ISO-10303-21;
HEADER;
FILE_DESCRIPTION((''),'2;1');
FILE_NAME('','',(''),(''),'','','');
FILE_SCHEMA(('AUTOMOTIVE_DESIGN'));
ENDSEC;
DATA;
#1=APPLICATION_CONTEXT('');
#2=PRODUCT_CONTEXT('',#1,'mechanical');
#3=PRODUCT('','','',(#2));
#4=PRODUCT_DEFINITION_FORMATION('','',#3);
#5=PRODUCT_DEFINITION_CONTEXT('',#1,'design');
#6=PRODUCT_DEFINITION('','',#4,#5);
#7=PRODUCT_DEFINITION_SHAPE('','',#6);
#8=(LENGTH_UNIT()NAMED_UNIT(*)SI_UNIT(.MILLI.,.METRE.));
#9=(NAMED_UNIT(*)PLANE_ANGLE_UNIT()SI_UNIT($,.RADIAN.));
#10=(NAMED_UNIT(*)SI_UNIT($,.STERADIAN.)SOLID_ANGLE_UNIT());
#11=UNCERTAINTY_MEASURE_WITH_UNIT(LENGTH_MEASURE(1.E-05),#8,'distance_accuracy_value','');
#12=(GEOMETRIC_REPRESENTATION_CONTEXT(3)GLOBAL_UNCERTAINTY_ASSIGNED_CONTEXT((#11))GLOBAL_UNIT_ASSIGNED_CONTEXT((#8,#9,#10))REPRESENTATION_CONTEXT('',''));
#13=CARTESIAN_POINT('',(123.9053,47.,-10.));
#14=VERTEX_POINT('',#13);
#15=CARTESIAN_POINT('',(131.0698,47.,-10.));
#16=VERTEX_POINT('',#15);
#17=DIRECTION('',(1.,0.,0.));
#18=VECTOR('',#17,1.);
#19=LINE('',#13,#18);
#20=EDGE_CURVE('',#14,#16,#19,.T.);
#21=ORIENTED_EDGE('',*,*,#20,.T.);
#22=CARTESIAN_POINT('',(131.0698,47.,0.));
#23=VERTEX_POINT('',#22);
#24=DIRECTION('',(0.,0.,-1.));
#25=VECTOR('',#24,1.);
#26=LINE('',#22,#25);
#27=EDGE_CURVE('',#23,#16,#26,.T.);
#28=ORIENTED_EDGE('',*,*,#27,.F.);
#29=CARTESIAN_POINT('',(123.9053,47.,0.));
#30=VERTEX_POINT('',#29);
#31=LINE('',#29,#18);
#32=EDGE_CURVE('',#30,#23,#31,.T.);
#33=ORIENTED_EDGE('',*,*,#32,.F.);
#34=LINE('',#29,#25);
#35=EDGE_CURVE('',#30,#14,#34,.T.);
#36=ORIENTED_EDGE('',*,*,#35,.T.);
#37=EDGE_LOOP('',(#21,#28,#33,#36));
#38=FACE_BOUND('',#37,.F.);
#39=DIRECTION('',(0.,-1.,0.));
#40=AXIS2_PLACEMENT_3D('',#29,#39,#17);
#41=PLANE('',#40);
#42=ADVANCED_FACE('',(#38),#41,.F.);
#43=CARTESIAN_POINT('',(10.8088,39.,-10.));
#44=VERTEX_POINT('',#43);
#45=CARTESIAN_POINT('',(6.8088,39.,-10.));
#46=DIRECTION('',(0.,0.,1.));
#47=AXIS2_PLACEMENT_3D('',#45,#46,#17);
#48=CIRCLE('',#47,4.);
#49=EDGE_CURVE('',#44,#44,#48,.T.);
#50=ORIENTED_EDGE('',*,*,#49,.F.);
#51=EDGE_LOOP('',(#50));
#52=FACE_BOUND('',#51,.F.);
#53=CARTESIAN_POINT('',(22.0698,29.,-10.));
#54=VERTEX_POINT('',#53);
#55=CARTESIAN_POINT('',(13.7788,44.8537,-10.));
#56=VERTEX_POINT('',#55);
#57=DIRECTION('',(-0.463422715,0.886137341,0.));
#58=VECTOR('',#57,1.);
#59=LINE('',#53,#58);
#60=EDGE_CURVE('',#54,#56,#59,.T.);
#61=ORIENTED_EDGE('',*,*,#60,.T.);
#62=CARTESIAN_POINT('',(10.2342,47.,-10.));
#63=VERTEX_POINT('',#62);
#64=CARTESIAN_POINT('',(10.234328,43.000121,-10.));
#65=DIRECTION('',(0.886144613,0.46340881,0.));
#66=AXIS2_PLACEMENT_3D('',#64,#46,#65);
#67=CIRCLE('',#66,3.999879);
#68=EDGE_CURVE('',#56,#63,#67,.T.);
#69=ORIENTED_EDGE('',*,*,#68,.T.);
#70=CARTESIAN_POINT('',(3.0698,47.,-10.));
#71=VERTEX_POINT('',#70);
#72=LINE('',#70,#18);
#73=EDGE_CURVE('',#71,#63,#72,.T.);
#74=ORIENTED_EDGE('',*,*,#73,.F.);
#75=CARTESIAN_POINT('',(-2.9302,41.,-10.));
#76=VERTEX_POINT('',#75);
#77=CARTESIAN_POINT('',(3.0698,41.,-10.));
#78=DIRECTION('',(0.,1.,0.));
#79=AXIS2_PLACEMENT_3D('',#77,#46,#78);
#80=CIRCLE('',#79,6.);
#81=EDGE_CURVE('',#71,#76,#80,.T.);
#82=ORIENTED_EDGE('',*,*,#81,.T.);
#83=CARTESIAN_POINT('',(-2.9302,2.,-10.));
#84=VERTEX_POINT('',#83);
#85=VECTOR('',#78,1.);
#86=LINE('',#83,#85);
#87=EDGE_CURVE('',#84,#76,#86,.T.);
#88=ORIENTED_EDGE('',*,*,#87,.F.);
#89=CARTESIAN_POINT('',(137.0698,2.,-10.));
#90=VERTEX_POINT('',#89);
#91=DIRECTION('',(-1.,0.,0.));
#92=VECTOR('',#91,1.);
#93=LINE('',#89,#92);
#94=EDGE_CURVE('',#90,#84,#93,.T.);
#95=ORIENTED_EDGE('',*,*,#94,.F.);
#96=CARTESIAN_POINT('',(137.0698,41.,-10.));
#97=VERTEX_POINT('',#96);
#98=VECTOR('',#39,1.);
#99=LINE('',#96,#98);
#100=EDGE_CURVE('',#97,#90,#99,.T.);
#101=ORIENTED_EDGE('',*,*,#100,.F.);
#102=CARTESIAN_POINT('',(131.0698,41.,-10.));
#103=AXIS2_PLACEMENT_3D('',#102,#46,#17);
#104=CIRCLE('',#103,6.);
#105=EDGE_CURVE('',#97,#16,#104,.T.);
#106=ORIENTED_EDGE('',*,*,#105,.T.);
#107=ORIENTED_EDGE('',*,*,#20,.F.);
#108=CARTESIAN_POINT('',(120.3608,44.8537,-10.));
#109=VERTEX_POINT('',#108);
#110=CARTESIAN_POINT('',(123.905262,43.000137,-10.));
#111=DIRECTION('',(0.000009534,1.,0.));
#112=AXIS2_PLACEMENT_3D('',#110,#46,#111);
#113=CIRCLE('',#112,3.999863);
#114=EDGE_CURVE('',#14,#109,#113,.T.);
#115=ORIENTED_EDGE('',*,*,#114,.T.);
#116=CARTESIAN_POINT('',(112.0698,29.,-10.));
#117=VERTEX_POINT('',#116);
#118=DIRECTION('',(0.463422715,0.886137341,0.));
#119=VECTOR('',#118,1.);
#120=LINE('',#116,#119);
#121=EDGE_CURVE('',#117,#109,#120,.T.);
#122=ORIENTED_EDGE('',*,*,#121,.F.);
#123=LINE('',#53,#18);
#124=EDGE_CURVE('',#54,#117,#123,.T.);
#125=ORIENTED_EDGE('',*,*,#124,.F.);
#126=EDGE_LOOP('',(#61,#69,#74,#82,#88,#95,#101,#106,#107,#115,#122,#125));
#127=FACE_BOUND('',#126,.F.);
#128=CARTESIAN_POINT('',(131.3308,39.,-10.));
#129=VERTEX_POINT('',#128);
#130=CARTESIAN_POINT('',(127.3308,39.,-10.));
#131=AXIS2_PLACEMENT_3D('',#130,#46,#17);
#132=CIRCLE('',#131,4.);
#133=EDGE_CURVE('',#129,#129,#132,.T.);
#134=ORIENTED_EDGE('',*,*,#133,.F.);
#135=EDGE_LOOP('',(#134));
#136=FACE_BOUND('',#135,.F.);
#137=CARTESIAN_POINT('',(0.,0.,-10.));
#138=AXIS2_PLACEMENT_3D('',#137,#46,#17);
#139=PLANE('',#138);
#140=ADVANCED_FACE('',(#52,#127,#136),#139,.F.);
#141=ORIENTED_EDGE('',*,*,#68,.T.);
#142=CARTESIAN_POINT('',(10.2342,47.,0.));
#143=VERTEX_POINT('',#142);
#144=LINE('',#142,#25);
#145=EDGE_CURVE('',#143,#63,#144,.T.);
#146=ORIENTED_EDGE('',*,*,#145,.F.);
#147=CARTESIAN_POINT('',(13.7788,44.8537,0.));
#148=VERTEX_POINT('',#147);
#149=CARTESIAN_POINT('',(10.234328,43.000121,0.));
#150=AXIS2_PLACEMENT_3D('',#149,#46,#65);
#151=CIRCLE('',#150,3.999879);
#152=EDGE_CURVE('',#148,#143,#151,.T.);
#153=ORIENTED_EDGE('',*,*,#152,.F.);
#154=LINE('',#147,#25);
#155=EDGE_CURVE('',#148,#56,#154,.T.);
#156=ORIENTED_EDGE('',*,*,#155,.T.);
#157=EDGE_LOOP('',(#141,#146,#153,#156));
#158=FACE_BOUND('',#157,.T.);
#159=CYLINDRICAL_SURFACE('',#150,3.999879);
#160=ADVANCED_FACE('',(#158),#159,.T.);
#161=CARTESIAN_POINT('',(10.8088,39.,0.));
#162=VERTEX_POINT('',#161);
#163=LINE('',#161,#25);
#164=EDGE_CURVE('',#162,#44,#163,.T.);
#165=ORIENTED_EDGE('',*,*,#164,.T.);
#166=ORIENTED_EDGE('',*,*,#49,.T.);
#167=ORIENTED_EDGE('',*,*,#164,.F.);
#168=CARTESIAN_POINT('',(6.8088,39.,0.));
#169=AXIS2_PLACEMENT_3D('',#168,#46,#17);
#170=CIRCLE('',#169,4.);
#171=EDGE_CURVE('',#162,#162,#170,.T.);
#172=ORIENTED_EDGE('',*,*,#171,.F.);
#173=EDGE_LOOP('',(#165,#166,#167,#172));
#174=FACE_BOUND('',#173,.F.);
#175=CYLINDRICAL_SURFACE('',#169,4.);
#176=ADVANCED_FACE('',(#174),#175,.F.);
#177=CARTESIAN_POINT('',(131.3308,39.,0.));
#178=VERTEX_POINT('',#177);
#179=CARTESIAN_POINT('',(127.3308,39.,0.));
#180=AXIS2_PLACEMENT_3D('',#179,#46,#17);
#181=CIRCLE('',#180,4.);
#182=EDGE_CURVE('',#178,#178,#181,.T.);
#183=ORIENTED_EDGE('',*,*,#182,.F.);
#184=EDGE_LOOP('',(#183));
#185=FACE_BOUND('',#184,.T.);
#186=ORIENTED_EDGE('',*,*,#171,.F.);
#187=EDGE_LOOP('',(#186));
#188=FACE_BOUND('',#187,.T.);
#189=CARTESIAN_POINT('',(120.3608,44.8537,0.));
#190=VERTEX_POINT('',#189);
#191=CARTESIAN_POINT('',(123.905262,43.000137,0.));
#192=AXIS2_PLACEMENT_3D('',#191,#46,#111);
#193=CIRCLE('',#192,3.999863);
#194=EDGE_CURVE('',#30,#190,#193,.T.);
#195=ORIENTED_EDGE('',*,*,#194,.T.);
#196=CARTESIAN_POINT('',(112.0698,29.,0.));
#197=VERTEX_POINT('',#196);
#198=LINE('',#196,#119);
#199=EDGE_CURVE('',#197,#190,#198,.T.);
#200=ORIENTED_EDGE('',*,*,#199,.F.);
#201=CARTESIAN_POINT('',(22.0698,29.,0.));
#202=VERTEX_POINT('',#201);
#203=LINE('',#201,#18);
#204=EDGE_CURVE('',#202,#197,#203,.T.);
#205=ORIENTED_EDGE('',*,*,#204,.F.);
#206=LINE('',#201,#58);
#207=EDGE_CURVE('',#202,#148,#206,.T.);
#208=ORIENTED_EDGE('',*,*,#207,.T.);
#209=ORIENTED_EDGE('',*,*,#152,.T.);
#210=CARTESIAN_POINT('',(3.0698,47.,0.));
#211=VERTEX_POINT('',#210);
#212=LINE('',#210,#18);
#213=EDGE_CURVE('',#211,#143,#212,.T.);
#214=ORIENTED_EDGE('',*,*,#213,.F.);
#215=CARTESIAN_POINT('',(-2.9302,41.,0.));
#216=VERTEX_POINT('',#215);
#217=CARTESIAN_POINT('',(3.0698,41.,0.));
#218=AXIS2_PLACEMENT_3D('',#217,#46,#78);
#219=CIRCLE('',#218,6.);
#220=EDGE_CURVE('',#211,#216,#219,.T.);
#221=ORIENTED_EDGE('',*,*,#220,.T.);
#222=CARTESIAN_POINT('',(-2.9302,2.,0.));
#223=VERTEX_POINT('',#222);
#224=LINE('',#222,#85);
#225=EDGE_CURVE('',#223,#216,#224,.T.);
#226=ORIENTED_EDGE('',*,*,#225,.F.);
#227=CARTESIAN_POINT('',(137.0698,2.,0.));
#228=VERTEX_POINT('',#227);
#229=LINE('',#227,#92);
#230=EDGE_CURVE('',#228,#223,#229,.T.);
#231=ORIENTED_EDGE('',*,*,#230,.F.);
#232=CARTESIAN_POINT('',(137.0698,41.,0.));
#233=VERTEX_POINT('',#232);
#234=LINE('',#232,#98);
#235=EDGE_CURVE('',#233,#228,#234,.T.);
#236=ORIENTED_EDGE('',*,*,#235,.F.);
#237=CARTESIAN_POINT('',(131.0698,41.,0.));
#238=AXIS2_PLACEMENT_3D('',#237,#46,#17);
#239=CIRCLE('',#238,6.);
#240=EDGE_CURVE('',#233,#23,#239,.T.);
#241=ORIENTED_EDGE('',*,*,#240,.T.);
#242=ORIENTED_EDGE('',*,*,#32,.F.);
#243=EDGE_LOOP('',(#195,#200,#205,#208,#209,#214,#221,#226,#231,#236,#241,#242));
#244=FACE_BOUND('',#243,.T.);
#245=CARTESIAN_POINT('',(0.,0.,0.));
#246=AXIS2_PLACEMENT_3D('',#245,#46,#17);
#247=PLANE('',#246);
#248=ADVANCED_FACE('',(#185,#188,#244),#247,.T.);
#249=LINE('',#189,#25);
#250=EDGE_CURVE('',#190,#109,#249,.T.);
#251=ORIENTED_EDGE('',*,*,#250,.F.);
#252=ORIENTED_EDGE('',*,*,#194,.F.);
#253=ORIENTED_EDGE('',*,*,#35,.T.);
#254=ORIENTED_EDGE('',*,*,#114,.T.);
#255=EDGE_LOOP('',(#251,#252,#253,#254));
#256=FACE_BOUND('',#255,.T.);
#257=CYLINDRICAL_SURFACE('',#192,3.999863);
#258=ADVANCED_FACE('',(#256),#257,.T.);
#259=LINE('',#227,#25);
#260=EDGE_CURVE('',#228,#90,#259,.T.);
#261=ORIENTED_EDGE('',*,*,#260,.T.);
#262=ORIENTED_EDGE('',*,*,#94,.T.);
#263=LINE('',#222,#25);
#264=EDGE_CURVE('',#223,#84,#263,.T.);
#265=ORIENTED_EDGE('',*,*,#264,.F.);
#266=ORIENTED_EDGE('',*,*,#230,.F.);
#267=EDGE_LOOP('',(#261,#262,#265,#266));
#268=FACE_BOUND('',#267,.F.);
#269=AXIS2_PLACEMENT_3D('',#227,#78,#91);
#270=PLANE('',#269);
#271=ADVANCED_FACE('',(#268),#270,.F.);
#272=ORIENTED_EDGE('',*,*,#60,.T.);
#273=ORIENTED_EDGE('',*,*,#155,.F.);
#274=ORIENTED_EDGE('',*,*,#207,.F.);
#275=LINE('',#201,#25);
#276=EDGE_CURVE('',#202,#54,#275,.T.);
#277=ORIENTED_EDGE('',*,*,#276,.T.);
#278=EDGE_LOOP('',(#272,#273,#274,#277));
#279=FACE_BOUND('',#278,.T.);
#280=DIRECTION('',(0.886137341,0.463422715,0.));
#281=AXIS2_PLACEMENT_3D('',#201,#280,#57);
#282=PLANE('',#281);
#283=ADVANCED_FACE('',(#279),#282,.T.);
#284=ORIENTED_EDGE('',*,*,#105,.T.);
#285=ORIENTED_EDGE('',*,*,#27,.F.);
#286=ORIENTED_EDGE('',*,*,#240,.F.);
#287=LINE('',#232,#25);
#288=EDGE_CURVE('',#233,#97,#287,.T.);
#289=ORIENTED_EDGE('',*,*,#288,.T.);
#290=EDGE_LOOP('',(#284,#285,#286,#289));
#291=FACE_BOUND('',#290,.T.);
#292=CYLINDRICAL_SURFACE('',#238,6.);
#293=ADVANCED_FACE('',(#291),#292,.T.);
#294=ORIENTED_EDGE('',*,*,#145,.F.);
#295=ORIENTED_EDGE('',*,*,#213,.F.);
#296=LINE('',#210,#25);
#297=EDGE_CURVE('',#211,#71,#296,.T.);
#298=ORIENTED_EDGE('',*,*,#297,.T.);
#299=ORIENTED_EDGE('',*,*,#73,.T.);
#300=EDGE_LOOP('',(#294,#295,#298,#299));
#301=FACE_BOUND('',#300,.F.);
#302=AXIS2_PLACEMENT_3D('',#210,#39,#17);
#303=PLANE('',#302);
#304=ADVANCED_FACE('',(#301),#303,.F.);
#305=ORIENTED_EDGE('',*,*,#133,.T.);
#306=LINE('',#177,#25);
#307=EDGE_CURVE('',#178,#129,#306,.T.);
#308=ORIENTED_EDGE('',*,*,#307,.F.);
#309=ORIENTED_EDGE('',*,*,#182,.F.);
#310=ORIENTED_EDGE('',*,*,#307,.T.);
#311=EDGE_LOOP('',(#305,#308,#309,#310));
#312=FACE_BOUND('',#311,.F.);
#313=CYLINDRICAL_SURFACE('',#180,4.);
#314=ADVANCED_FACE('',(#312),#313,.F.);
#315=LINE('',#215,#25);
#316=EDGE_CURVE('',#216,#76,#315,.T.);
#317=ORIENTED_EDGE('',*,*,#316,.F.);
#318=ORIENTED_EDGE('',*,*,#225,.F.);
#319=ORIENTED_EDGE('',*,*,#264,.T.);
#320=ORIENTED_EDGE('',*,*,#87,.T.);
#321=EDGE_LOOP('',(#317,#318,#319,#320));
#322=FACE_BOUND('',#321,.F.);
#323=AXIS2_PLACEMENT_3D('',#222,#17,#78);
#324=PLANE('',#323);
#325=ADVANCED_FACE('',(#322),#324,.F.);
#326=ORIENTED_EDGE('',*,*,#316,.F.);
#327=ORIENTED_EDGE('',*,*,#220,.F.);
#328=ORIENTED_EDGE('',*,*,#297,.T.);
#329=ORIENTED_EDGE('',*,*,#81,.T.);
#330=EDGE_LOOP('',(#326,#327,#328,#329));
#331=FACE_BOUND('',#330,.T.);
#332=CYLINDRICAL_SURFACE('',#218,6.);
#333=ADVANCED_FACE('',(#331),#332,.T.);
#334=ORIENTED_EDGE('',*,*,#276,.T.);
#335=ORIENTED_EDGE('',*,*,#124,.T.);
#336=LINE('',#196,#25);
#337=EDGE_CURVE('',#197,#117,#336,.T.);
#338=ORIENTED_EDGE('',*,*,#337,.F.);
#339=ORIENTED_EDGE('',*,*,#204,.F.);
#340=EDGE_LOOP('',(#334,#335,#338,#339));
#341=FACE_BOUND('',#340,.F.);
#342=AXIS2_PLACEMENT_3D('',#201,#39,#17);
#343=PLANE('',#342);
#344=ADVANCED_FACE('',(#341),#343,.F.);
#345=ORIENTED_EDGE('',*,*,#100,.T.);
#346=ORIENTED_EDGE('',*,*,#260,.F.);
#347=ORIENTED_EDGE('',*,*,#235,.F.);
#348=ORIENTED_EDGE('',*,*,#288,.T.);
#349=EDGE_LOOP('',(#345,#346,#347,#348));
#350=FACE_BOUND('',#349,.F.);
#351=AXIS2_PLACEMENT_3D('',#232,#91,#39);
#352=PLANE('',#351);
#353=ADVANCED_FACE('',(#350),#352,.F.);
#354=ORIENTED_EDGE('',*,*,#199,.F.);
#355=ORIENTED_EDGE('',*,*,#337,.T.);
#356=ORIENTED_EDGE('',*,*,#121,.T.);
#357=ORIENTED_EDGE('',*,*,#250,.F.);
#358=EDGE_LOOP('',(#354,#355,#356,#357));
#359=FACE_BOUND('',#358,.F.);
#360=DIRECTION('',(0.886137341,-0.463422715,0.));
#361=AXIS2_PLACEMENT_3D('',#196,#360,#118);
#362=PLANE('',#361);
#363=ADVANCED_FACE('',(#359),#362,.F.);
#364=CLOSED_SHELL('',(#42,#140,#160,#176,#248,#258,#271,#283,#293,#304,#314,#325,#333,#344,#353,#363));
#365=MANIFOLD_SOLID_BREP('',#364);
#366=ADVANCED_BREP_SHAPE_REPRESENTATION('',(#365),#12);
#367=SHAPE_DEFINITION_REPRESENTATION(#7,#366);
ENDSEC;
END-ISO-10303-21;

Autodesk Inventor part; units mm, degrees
ref_plane "YZ Plane" through (0, 0, 0) normal (1, 0, 0) x (0, 1, 0)
ref_plane "XZ Plane" through (0, 0, 0) normal (0, 1, 0) x (-1, 0, 0)
ref_plane "XY Plane" through (0, 0, 0) normal (0, 0, 1) x (1, 0, 0)
ref_plane "Work Plane1" through (0, 0, 0) normal (0, 0, 1) x (1, 0, 0)
sketch "Sketch1" plane through (0, 0, 0) normal (0, 0, 1) x (1, 0, 0)
  point P0 (0, 0)
ref_plane "Work Plane2" through (0, 0, 0) normal (0, 0, 1) x (1, 0, 0)
sketch "Sketch2" plane through (0, 0, 0) normal (0, 0, 1) x (1, 0, 0)
  line L0 (133.9999, 0) -> (0, 0) construction
  line L1 (133.9999, 0) -> (133.9999, 2) construction
  line L2 (0, 2) -> (133.9999, 2) construction
  line L3 (0, 0) -> (0, 2) construction
  line L4 (137.0698, 41) -> (137.0698, 2)
  line L5 (137.0698, 2) -> (-2.9302, 2)
  line L6 (-2.9302, 2) -> (-2.9302, 41)
  line L7 (-2.9302, 47) -> (137.0698, 2) construction
  line L8 (137.0698, 47) -> (-2.9302, 2) construction
  line L9 (22.0698, 29) -> (112.0698, 29)
  line L10 (22.0698, 29) -> (13.7788, 44.8537)
  line L11 (67.0698, 29) -> (67.0698, 47) construction
  line L12 (112.0698, 29) -> (120.3608, 44.8537)
  line L13 (3.0698, 47) -> (10.2342, 47)
  line L14 (123.9053, 47) -> (131.0698, 47)
  arc A0 (13.7788, 44.8537) -> (10.2342, 47) centre (10.2342, 43) ccw
  arc A1 (123.9053, 47) -> (120.3608, 44.8537) centre (123.9053, 43) ccw
  arc A2 (3.0698, 47) -> (-2.9302, 41) centre (3.0698, 41) ccw
  arc A3 (137.0698, 41) -> (131.0698, 47) centre (131.0698, 41) ccw
  circle A4 centre (6.8088, 39) radius 4
  circle A5 centre (127.3308, 39) radius 4
  point P0 (67.0698, 24.5)
  point P1 (12.6563, 47)
  point P2 (121.4832, 47)
  dimension "d0" = 140
  dimension "d1" = 45
  dimension "d6" = 25
  dimension "d7" = 25
  dimension "d8" = 4
  dimension "d9" = 6
  dimension "d10" = 45
  dimension "d11" = 8
  dimension "d12" = 8
  dimension "d16" = 120.522
extrude "Extrusion1" add sketch "Sketch2" against normal blind 10
properties part number "supporto_guide_lungo"
